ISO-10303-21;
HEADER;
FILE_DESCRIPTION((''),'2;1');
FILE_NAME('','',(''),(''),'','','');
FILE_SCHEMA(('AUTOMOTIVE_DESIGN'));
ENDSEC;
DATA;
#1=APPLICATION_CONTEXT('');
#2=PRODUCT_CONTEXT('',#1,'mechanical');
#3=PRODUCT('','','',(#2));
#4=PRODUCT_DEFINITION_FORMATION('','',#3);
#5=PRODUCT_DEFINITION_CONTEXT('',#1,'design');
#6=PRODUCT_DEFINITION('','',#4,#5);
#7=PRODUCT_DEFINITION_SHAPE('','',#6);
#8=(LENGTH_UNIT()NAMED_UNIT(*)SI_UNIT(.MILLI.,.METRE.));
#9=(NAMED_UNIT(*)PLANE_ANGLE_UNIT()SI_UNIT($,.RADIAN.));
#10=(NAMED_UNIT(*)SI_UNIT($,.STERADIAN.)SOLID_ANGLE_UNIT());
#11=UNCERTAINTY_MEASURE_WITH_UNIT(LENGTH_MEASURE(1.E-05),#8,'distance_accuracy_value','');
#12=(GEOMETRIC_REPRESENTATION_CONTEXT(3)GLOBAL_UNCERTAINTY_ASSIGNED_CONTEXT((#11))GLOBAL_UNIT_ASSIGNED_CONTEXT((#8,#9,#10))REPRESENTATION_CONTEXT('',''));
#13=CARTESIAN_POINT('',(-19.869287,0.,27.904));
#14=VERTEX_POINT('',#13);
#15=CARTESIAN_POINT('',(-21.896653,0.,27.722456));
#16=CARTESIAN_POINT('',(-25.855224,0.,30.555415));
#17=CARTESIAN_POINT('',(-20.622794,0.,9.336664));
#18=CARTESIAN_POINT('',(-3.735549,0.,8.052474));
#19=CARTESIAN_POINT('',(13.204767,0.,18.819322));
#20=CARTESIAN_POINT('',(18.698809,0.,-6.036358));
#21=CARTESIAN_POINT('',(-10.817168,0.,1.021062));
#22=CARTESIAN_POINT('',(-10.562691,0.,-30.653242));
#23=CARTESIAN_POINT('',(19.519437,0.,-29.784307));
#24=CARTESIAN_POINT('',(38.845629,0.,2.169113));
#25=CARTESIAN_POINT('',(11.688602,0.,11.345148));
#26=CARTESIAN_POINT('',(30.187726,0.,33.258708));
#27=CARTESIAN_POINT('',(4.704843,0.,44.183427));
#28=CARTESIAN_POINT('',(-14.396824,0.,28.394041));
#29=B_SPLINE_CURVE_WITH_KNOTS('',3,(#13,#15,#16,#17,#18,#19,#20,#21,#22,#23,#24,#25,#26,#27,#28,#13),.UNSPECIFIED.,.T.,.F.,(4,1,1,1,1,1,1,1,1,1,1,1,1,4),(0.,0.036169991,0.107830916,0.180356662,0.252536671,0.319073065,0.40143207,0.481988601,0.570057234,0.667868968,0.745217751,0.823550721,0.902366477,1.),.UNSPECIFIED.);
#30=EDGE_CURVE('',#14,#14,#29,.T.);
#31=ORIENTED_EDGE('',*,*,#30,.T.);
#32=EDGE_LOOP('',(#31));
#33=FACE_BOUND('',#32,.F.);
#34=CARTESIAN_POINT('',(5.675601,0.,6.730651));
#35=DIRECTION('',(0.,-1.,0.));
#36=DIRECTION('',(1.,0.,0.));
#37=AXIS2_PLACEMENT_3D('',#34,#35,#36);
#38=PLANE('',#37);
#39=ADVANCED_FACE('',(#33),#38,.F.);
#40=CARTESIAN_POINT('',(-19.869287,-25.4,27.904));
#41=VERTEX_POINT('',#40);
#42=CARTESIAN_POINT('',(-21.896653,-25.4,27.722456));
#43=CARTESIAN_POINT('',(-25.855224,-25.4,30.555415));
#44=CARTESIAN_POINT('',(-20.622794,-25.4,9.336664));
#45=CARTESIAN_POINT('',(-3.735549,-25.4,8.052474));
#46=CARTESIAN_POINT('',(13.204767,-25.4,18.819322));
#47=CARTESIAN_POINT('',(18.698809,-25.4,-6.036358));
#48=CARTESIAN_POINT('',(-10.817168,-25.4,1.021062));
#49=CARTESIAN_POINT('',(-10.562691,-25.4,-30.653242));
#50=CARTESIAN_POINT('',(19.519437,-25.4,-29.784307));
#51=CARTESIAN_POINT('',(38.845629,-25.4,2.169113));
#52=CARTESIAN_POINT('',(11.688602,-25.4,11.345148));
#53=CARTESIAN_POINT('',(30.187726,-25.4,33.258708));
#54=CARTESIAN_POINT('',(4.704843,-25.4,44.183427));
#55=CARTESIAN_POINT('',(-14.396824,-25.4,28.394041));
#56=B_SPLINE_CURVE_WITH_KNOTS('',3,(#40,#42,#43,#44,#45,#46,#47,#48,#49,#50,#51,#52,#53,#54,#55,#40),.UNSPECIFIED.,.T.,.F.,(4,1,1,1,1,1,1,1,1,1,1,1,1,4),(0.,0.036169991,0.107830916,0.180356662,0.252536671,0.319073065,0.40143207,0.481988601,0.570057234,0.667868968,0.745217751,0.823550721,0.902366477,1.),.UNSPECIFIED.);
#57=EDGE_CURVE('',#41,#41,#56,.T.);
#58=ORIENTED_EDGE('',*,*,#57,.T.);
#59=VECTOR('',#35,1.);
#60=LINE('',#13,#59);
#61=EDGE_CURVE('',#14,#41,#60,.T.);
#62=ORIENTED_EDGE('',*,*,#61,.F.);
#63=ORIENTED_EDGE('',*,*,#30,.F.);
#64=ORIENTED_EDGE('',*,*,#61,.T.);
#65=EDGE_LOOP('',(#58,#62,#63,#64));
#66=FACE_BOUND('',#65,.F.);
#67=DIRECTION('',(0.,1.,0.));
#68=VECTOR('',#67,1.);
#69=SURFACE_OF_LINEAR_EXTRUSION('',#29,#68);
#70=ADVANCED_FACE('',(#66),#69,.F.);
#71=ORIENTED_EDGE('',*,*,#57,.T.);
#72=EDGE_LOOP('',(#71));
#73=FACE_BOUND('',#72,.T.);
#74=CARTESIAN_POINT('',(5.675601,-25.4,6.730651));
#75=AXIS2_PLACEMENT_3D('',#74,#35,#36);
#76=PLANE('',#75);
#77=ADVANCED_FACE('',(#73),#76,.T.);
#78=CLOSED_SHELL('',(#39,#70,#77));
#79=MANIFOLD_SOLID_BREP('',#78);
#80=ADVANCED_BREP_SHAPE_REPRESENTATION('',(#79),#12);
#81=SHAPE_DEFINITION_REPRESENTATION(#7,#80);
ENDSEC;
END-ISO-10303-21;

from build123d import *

# Parameters (mm, degrees)
F1_DEPTH = 25.4


with BuildPart() as f1:
    # F0 (on Front) → F1 (new body)
    with BuildSketch(Plane.XZ):
        with BuildLine():
            add(Edge.make_bspline(
                [(-19.869286567, 27.9040001333), (-21.8966529242, 27.7224562672), (-25.855224203, 30.5554152975), (-20.6227937591, 9.3366644356), (-3.7355492773, 8.0524741598), (13.2047668301, 18.819321588), (18.6988087132, -6.0363575076), (-10.8171676553, 1.0210619353), (-10.5626909829, -30.6532424925), (19.5194370236, -29.7843067579), (38.8456293406, 2.1691126949), (11.6886023949, 11.3451479422), (30.1877262051, 33.2587084586), (4.7048428105, 44.18342714), (-14.3968240752, 28.394040818), (-19.869286567, 27.9040001333)],
                knots=[0, 0, 0, 0, 0.0361699911, 0.1078309159, 0.1803566624, 0.2525366713, 0.3190730645, 0.4014320701, 0.481988601, 0.570057234, 0.6678689677, 0.7452177514, 0.823550721, 0.9023664772, 1, 1, 1, 1], degree=3))
        make_face()
    extrude(amount=F1_DEPTH)


solid = f1.part
